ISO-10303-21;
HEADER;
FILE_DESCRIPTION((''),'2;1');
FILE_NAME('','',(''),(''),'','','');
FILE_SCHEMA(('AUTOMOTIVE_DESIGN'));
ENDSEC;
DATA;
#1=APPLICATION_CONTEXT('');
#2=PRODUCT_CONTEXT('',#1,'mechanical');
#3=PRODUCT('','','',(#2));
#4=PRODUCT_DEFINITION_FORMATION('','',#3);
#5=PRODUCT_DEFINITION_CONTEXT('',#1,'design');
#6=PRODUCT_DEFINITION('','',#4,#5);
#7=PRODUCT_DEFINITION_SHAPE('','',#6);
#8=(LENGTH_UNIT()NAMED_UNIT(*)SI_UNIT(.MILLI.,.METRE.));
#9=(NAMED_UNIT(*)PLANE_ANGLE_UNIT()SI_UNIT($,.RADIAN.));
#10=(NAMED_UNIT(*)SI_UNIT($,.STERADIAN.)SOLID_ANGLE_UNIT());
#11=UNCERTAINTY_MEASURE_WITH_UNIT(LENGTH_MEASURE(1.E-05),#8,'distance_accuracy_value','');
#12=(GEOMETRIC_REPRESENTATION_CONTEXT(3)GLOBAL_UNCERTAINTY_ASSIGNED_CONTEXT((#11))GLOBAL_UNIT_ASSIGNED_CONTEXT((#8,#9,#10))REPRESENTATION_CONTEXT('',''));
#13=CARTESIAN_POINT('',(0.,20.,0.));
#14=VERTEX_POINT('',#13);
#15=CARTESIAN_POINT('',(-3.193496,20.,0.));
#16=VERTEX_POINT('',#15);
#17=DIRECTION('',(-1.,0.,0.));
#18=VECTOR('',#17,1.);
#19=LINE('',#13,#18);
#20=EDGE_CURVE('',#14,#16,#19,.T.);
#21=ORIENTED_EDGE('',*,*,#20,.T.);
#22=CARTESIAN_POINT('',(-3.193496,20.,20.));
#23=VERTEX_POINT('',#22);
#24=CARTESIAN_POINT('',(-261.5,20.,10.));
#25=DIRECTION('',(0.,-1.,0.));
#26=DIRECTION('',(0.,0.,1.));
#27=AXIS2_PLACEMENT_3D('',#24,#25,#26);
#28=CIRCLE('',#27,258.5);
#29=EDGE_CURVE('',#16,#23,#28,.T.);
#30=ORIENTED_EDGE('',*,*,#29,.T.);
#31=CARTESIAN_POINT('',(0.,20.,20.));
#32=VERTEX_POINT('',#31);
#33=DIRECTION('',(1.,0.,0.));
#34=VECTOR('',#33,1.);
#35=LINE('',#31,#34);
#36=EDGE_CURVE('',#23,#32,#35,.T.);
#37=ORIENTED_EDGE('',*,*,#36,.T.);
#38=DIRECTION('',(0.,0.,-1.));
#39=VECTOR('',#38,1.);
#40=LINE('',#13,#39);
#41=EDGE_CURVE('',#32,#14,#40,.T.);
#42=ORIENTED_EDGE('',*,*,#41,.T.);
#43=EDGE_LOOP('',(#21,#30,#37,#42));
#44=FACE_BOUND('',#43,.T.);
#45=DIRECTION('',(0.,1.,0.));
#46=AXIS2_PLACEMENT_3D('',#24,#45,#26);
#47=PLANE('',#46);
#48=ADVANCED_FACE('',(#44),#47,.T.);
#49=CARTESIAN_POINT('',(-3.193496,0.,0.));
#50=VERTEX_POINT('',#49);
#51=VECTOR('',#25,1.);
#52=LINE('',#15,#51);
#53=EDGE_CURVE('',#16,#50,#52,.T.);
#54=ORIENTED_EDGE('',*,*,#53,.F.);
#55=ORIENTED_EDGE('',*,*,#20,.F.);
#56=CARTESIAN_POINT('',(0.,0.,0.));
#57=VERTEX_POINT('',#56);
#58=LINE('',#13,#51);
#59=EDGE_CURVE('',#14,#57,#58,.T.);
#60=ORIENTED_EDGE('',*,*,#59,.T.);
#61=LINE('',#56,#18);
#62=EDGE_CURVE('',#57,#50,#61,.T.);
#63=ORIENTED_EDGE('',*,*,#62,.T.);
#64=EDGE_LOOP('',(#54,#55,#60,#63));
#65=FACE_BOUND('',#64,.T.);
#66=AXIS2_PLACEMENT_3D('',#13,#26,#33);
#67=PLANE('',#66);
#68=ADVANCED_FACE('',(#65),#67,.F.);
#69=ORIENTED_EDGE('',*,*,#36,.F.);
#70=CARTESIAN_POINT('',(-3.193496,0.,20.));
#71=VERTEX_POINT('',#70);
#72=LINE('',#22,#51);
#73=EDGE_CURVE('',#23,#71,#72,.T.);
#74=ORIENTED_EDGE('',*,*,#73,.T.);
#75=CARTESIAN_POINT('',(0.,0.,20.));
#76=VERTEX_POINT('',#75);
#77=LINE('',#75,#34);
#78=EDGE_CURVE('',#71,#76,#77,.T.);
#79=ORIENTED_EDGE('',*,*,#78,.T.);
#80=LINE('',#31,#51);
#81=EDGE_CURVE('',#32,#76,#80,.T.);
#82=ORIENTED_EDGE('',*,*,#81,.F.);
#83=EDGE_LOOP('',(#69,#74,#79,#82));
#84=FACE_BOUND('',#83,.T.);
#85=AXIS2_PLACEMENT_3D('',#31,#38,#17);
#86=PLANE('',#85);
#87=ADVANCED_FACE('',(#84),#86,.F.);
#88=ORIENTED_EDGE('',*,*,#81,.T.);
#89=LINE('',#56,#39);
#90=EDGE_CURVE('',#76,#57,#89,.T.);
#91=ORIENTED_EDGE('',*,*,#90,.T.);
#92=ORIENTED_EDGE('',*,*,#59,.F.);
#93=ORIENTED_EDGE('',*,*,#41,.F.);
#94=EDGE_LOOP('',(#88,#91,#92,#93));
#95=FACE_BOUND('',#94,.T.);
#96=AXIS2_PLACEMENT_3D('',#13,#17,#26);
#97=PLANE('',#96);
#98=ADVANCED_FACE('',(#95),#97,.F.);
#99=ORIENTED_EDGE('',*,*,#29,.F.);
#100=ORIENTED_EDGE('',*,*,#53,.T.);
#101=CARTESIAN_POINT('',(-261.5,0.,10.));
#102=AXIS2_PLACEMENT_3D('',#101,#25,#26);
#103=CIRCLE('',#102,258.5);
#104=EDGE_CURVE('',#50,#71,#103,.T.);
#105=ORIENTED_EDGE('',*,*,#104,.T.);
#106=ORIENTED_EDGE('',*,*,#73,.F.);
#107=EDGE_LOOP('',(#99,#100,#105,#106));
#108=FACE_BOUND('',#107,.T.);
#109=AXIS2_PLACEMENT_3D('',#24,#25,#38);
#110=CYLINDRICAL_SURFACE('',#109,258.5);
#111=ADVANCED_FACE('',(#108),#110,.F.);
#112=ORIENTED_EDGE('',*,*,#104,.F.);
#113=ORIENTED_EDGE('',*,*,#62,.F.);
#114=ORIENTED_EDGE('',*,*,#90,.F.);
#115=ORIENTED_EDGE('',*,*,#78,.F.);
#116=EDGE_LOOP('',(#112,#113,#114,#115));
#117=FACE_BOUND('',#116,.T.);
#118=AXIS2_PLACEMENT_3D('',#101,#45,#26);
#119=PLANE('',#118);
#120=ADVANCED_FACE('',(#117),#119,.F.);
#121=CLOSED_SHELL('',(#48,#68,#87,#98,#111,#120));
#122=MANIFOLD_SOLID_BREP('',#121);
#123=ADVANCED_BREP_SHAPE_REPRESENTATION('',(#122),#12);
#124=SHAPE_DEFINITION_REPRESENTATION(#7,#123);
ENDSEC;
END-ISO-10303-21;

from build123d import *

# Parameters (mm, degrees)
EXTRUDE_1_DEPTH = 20


with BuildPart() as part:
    # 草图1 → 凸台-拉伸1 (new body)
    with BuildSketch(Plane(origin=(0, 0, 0), x_dir=(1, 0, 0), z_dir=(0, 1, 0))):
        with BuildLine():
            Line((0, 0), (0, -20))
            Line((0, -20), (-3.193496017, -20))
            ThreePointArc((-3.193496017, -20), (-3, -10), (-3.193496017, 0))
            Line((-3.193496017, 0), (0, 0))
        make_face()
    extrude(amount=EXTRUDE_1_DEPTH)


solid = part.part
